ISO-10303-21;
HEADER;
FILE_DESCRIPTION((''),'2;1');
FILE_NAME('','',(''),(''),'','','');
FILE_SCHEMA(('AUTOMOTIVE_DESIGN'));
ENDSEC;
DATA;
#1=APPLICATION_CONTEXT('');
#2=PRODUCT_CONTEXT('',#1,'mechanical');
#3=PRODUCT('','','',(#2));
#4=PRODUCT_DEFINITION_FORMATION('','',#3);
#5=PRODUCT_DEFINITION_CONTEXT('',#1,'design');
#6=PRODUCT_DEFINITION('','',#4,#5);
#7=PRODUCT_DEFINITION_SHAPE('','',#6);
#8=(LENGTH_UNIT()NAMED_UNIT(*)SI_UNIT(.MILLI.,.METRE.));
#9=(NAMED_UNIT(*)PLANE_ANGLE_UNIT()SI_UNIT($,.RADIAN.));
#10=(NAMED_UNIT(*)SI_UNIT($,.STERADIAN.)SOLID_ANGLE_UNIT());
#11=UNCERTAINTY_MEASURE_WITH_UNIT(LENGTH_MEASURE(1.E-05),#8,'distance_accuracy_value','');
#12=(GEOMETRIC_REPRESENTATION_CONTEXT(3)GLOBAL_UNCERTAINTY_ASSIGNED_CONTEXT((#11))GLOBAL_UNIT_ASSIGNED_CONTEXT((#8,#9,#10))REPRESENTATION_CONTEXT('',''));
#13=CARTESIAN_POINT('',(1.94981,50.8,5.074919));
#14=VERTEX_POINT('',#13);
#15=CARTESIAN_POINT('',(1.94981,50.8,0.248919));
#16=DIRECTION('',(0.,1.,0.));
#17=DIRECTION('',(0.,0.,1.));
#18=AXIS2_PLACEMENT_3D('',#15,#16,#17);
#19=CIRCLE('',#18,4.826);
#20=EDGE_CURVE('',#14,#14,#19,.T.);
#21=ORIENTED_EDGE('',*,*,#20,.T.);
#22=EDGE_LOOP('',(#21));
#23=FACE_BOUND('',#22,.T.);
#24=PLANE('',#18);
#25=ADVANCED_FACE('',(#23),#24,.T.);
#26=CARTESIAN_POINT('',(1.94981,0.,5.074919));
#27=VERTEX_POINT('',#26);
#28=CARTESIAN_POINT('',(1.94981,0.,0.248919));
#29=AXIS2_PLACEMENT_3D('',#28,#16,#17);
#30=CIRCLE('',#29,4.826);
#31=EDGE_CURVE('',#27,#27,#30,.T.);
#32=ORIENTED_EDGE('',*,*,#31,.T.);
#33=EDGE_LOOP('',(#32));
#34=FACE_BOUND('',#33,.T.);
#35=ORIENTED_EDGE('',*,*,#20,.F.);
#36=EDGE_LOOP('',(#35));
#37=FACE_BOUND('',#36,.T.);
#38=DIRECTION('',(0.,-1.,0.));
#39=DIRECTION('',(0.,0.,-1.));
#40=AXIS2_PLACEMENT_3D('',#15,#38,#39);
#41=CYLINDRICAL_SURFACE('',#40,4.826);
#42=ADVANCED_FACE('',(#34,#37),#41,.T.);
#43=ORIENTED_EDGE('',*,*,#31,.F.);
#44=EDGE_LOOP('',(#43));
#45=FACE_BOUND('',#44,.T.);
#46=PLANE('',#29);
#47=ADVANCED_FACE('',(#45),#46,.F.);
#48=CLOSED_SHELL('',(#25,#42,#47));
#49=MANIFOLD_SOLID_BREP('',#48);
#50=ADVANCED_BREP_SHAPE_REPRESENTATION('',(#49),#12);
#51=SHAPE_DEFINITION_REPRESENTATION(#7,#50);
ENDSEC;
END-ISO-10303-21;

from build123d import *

# Parameters (mm, degrees)
SKETCH1_R           = 4.826
BOSS_EXTRUDE1_DEPTH = 50.8


with BuildPart() as part:
    # Sketch1 → Boss-Extrude1 (new body)
    with BuildSketch(Plane(origin=(0, 0, 0), x_dir=(1, 0, 0), z_dir=(0, 1, 0))):
        with Locations((1.949810434, -0.24891883)):
            Circle(SKETCH1_R)
    extrude(amount=BOSS_EXTRUDE1_DEPTH)


solid = part.part
